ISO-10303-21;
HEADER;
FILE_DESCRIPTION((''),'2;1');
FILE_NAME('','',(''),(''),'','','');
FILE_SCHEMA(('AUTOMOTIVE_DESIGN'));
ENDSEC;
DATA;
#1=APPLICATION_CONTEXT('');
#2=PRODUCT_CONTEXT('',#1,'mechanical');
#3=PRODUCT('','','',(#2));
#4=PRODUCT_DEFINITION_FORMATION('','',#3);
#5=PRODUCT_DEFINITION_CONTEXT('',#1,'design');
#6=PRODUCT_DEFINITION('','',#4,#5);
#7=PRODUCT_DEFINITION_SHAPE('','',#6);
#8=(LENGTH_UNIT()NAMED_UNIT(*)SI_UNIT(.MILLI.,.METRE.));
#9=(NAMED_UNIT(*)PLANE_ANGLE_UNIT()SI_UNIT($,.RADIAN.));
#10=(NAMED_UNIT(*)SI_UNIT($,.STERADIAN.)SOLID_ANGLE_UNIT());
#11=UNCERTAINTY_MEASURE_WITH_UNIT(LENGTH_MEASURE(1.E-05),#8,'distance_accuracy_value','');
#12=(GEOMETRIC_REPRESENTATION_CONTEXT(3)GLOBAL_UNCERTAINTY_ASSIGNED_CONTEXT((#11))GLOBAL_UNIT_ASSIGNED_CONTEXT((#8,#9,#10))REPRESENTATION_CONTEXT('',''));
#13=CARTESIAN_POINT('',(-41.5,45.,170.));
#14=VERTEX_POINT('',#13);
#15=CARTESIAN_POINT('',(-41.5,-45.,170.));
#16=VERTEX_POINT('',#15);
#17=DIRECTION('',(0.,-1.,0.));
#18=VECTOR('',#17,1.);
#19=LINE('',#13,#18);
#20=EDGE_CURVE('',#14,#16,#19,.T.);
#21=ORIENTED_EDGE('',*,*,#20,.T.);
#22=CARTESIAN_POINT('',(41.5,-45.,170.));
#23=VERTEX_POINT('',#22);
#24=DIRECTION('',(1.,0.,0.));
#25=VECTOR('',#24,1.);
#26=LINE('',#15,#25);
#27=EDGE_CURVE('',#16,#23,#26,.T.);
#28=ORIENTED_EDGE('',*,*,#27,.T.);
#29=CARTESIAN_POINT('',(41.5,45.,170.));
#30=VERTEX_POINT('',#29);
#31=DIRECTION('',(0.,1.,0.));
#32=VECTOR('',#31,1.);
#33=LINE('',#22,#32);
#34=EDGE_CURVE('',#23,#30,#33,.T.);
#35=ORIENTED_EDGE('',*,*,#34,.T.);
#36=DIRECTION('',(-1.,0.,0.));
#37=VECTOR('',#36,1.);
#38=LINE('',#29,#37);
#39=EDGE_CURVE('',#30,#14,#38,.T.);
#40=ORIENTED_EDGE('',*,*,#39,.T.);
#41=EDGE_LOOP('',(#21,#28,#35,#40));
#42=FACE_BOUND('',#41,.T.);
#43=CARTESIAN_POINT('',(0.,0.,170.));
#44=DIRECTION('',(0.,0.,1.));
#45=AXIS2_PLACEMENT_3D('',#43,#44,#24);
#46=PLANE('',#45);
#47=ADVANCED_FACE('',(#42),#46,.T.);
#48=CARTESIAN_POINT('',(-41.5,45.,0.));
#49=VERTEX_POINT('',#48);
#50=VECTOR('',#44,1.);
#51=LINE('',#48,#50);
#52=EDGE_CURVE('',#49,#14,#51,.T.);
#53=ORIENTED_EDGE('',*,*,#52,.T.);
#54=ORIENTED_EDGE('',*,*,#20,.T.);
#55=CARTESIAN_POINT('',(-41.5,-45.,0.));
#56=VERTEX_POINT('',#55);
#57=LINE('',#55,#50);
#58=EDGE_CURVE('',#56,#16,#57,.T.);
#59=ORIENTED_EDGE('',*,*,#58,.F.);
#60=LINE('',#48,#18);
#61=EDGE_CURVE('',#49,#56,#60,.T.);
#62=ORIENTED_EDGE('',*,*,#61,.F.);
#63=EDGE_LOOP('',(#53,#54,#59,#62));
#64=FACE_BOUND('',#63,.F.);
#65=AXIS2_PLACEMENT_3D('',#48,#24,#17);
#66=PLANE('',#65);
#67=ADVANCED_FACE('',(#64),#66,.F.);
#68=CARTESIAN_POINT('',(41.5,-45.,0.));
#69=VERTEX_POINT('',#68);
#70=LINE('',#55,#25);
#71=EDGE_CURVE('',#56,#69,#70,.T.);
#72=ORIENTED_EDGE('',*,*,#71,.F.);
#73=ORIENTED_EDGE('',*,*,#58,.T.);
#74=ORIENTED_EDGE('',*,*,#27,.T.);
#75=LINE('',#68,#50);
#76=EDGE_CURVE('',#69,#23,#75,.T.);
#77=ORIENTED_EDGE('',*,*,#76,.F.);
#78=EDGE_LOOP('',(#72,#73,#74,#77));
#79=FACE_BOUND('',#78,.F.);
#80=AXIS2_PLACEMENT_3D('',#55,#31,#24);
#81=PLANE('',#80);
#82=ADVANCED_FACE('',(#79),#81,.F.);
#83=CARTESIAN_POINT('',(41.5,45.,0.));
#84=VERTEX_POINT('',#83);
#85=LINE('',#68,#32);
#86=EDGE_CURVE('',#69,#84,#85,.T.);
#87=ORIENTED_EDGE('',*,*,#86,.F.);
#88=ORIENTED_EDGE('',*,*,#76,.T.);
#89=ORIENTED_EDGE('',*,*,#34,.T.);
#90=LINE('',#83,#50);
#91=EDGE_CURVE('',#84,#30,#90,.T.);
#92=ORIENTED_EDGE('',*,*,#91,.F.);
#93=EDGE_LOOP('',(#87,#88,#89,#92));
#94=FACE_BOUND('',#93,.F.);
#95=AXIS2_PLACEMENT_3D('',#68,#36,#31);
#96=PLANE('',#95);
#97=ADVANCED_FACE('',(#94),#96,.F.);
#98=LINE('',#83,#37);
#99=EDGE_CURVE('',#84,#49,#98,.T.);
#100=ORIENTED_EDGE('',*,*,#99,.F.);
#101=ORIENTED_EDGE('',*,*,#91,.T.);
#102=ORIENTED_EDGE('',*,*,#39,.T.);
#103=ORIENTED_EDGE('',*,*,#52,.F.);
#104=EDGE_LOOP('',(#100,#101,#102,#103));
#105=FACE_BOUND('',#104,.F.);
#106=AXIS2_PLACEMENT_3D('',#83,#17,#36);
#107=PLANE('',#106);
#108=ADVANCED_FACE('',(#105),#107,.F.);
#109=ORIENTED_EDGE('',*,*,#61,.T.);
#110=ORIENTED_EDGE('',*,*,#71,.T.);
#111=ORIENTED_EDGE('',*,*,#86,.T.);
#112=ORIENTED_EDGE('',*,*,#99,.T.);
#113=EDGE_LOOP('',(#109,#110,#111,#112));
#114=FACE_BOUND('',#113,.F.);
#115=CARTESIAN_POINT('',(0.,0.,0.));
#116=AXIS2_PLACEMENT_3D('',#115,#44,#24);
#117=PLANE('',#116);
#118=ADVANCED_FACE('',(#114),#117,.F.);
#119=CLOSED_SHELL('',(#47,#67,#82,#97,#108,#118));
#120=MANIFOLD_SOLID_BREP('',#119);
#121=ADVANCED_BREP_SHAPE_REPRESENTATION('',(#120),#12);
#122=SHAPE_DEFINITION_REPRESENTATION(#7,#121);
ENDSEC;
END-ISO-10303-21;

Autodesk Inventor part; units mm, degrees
ref_plane "YZ Plane" through (0, 0, 0) normal (1, 0, 0) x (0, 1, 0)
ref_plane "XZ Plane" through (0, 0, 0) normal (0, 1, 0) x (-1, 0, 0)
ref_plane "XY Plane" through (0, 0, 0) normal (0, 0, 1) x (1, 0, 0)
sketch "Sketch1" plane through (0, 0, 0) normal (0, 0, 1) x (1, 0, 0)
  line L0 (-41.5, -45) -> (41.5, -45)
  line L1 (41.5, -45) -> (41.5, 45)
  line L2 (41.5, 45) -> (-41.5, 45)
  line L3 (-41.5, 45) -> (-41.5, -45)
  line L4 (-41.5, -45) -> (41.5, 45) construction
  line L5 (41.5, -45) -> (-41.5, 45) construction
  point P0 (0, 0)
  dimension "d0" = 90
  dimension "d1" = 83
extrude "Extrusion1" add sketch "Sketch1" along normal blind 170
properties part number "BATTERY" material "ABS Plastic"
